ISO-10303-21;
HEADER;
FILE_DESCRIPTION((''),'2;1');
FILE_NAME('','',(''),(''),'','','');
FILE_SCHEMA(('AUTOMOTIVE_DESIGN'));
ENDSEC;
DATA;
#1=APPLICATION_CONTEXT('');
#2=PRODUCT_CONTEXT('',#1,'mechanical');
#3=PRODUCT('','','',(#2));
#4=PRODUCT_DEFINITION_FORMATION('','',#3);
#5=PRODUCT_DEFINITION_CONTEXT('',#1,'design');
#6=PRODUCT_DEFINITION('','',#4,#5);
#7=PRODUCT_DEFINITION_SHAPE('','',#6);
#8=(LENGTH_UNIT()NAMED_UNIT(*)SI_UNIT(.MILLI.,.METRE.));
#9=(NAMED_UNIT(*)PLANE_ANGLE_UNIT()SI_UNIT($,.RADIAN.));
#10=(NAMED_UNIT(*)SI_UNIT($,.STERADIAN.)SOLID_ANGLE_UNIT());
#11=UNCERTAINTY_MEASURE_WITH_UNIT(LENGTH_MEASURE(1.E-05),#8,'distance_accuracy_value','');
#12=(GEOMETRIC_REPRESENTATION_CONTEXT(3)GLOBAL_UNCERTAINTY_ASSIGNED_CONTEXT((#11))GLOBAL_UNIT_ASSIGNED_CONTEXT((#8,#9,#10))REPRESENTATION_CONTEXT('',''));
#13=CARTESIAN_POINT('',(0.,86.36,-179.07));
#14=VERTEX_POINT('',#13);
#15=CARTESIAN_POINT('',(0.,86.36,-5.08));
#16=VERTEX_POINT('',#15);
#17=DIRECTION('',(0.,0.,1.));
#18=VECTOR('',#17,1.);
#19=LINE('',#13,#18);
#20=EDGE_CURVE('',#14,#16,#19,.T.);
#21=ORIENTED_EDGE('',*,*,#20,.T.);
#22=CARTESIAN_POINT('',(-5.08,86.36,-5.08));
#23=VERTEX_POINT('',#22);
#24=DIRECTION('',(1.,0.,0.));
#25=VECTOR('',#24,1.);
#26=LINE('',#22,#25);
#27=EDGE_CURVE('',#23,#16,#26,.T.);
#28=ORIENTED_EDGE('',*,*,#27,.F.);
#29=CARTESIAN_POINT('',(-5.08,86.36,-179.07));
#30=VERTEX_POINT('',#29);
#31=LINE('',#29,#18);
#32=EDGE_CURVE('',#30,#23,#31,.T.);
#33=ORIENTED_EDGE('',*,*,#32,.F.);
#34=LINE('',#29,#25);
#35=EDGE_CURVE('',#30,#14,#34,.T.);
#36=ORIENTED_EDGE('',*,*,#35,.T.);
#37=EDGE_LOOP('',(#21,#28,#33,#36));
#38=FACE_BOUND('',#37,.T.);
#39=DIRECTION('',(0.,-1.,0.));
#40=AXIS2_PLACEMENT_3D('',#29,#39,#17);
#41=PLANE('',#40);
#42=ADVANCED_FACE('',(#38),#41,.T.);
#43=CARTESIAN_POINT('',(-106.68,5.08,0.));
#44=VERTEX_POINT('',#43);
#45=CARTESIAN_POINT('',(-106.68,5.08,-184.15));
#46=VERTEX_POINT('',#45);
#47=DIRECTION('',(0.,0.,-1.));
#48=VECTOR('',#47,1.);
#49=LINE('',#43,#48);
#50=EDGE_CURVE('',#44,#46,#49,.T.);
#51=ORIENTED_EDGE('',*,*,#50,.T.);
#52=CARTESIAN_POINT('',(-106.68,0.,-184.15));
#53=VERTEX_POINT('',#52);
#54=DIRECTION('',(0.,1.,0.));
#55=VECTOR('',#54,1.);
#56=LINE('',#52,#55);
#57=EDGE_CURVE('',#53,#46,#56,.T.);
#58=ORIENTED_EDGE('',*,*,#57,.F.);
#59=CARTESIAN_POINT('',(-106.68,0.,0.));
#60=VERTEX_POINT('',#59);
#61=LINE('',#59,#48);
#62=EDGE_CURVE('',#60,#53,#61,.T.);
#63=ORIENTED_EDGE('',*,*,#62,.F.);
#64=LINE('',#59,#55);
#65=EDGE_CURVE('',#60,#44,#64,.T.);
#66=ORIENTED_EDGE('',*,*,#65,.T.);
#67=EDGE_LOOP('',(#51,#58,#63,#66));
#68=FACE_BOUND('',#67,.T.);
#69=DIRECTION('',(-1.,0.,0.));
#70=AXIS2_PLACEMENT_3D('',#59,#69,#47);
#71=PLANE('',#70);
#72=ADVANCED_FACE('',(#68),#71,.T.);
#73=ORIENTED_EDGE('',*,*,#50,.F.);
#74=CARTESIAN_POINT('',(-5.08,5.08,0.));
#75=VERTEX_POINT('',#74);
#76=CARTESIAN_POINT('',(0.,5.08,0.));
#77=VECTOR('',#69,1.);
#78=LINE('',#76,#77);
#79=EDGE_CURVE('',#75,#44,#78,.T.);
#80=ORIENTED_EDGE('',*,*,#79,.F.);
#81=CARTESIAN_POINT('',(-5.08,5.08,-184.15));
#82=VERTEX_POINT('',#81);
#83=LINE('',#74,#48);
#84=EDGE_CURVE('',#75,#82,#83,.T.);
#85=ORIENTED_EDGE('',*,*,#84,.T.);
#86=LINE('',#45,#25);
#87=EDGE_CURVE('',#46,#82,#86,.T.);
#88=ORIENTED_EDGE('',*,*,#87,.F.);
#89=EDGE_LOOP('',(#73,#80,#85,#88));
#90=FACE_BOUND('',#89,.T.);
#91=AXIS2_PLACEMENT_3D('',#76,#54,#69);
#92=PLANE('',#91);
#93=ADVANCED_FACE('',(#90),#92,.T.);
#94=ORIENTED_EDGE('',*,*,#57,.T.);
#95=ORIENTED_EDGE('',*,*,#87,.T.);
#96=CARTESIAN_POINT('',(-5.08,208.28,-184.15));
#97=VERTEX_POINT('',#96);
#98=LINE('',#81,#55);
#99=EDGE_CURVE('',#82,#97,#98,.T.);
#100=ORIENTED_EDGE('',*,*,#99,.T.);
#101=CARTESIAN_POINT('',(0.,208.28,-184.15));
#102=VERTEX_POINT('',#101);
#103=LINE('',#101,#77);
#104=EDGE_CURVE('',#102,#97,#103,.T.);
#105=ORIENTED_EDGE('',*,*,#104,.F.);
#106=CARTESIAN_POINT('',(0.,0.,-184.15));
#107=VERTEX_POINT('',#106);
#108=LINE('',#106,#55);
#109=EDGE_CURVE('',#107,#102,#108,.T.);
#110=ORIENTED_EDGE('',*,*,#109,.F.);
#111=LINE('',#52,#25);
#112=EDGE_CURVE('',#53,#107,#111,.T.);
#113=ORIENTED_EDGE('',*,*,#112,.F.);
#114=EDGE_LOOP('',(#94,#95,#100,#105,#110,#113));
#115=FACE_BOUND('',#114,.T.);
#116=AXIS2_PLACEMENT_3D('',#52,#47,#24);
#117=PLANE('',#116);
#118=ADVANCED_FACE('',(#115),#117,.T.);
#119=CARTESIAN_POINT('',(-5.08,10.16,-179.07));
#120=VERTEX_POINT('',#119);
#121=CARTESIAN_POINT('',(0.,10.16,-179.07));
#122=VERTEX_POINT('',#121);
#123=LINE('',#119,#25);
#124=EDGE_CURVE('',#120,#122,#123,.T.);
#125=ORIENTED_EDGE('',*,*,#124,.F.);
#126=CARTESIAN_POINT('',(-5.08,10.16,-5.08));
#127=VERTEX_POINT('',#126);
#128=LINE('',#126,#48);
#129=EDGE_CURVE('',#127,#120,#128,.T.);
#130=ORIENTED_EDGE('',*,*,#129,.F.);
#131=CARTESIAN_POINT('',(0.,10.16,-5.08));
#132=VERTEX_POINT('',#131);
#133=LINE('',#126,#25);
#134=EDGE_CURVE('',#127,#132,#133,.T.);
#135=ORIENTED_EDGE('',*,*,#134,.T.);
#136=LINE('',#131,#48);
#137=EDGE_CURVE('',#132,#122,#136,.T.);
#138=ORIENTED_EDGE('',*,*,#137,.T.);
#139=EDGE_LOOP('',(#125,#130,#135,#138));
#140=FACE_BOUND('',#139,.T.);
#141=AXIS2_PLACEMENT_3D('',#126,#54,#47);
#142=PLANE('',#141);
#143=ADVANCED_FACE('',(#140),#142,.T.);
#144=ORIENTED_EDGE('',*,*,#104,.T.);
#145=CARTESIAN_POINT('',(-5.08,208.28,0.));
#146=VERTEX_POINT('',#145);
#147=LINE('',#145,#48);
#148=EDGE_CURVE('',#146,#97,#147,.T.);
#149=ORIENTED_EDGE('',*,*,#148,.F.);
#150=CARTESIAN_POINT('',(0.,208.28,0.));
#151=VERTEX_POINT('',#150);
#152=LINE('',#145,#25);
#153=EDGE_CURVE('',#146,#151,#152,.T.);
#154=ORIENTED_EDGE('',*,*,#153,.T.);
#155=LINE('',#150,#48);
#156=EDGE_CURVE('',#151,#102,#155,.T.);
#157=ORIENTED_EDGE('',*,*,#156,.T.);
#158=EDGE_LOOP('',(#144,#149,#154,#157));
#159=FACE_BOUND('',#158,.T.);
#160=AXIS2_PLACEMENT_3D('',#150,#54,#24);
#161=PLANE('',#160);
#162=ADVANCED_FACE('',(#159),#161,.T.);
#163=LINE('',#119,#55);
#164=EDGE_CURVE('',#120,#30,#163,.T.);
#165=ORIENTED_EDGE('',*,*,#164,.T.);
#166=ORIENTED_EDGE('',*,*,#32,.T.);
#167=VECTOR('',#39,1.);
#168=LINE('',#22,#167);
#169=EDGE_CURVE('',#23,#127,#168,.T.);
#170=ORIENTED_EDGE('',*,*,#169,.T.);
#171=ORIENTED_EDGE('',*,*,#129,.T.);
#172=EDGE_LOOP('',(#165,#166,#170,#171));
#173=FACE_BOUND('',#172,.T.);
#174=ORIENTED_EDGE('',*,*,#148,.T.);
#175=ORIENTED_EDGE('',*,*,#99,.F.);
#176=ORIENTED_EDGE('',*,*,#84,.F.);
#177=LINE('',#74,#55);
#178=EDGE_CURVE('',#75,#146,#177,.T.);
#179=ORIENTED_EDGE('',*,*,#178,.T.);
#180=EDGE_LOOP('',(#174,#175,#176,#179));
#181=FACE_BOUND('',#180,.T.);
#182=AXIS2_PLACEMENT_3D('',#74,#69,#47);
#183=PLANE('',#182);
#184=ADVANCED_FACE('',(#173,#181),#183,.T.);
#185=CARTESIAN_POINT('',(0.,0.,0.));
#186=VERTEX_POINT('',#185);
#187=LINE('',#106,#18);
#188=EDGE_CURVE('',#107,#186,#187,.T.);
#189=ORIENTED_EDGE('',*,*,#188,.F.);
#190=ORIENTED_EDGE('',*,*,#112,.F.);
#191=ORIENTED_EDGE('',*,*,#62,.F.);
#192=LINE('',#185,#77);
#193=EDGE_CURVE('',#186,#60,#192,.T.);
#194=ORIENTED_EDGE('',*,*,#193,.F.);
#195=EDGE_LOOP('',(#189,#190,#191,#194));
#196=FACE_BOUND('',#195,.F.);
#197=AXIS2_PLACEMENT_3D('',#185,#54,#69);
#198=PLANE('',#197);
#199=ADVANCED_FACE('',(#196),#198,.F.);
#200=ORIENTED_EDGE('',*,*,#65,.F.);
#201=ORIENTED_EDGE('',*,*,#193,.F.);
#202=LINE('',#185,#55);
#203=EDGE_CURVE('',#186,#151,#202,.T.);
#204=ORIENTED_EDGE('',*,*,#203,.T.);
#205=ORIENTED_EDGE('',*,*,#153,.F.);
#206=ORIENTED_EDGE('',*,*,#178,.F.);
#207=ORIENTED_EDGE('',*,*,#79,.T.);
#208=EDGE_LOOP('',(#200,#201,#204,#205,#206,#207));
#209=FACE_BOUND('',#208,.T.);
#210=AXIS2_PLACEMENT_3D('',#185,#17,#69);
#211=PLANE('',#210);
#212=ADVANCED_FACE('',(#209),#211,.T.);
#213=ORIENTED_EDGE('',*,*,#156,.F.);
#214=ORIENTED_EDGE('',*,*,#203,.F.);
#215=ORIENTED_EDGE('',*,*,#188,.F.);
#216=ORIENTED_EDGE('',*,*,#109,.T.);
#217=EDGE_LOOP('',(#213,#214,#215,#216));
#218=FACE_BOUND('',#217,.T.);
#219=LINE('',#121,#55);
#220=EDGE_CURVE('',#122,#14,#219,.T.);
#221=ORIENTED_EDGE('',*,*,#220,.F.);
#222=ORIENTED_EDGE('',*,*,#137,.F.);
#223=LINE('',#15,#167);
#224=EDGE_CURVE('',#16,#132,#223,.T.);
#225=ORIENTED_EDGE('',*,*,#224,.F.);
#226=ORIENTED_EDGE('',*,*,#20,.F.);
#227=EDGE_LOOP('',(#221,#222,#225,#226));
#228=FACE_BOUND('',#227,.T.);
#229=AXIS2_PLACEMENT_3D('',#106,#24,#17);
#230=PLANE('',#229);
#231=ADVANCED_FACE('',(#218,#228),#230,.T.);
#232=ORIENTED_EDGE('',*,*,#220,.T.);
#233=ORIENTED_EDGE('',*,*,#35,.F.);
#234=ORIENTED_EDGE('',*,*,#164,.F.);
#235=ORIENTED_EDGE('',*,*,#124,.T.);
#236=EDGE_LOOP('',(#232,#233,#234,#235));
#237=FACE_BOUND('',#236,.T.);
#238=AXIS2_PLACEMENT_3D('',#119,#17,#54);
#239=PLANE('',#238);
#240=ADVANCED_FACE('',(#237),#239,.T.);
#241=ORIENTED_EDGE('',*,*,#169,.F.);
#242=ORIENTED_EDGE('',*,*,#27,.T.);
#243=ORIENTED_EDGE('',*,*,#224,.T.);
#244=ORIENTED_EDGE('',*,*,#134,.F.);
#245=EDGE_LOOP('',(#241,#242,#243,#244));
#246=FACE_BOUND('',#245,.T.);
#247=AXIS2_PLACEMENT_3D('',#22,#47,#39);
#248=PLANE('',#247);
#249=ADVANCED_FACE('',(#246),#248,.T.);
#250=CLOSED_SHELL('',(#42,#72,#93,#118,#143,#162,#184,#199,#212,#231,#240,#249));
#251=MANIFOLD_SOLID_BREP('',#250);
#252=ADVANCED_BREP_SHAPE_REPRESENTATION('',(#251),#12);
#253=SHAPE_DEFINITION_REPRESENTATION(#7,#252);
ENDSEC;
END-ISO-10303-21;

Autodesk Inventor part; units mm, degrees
ref_plane "YZ Plane" through (0, 0, 0) normal (1, 0, 0) x (0, 1, 0)
ref_plane "XZ Plane" through (0, 0, 0) normal (0, 1, 0) x (-1, 0, 0)
ref_plane "XY Plane" through (0, 0, 0) normal (0, 0, 1) x (1, 0, 0)
sketch "Sketch1" plane through (0, 0, 0) normal (0, 1, 0) x (-1, 0, 0)
  line L0 (0, 0) -> (106.68, 0)
  line L1 (106.68, 0) -> (106.68, -184.15)
  line L2 (106.68, -184.15) -> (0, -184.15)
  line L3 (0, -184.15) -> (0, 0)
  dimension "d0" = 184.15
  dimension "d1" = 106.68
extrude "Extrusion1" add sketch "Sketch1" along normal blind 5.08
sketch "Sketch2" plane through (0, 5.08, 0) normal (0, 1, 0) x (1, 0, 0)
  line L0 (-5.08, 0) -> (-5.08, 184.15)
  line L1 (0, 0) -> (0, 184.15) projected
  line L2 (-5.08, 0) -> (0, 0)
  line L3 (0, 184.15) -> (-106.68, 184.15) projected
  line L4 (-5.08, 184.15) -> (0, 184.15)
  dimension "d4" = 5.08
extrude "Extrusion2" add sketch "Sketch2" along normal blind 203.2
sketch "Sketch3" plane through (-5.08, 5.08, -184.15) normal (-1, 0, 0) x (0, 0, 1)
  line L0 (179.07, 5.08) -> (5.08, 5.08)
  line L1 (5.08, 5.08) -> (5.08, 81.28)
  line L2 (5.08, 81.28) -> (179.07, 81.28)
  line L3 (179.07, 81.28) -> (179.07, 5.08)
  line L4 (184.15, 0) -> (184.15, 203.2) projected
  line L5 (0, 0) -> (0, 203.2) projected
  line L6 (0, -5.08) -> (184.15, -5.08) projected
  dimension "d7" = 5.08
  dimension "d8" = 5.08
  dimension "d9" = 10.16
  dimension "d10" = 76.2
extrude "Extrusion3" cut sketch "Sketch3" against normal up to surface (5.08 mm away)
properties part number "Box_Bottom"
